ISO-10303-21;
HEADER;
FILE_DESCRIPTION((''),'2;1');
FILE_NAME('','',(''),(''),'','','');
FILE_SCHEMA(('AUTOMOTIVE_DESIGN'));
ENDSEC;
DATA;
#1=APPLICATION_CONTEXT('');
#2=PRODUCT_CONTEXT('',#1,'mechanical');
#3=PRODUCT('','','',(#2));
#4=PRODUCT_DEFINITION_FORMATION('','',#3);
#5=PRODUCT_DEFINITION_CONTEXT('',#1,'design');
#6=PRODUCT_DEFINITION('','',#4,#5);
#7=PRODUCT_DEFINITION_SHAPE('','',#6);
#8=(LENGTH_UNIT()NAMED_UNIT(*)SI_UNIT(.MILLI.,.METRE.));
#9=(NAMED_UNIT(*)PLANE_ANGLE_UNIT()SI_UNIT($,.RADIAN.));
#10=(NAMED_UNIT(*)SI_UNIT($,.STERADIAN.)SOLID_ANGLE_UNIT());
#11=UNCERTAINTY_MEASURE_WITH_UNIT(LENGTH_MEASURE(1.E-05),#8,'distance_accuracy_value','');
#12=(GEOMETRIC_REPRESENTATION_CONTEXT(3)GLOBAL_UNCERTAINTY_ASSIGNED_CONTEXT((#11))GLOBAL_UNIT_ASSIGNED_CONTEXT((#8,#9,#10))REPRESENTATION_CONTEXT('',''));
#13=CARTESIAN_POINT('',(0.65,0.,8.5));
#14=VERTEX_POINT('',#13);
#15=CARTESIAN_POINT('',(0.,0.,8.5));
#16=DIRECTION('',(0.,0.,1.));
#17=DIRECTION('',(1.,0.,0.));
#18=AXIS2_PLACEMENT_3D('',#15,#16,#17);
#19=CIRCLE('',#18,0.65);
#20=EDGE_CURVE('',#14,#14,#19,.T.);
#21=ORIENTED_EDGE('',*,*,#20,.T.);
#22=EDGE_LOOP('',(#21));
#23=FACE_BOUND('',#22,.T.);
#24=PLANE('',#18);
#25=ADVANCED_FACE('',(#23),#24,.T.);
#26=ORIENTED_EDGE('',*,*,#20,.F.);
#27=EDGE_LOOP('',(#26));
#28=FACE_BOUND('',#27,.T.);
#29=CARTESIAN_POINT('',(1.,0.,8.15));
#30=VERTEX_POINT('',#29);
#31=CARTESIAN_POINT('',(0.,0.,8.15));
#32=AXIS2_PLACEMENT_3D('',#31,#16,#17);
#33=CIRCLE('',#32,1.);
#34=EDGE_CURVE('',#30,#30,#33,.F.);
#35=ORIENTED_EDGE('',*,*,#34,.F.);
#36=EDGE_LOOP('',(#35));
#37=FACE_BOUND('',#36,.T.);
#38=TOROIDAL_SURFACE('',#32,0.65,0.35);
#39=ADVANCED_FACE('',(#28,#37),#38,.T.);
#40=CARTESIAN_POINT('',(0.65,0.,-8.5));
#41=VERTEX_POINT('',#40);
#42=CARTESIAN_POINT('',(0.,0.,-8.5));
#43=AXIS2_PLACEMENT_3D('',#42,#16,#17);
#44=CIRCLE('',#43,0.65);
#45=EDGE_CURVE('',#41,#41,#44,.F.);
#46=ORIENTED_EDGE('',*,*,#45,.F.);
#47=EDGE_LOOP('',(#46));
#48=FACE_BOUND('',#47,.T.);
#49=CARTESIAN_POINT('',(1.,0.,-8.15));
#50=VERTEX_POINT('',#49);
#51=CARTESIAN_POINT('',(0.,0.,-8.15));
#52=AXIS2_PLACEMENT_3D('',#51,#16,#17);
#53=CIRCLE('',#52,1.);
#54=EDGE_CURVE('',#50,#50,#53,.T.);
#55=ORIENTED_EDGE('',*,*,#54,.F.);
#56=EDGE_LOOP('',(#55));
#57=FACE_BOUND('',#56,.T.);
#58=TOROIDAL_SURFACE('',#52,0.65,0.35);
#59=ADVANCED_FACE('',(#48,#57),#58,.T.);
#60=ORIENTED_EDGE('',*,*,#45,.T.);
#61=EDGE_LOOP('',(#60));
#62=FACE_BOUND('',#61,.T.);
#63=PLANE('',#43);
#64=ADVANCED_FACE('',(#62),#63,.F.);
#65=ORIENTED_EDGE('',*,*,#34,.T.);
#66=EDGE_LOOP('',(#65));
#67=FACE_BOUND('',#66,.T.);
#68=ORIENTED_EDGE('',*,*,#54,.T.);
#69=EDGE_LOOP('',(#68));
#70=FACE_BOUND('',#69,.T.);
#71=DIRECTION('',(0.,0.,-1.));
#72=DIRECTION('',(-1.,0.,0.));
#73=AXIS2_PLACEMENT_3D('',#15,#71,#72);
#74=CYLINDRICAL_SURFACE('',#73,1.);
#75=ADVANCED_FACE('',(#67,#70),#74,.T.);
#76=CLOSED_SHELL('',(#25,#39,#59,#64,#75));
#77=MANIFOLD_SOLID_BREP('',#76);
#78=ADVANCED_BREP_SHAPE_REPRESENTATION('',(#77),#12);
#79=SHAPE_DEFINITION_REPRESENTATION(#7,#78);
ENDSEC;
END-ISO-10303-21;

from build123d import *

# Parameters (mm, degrees)
SKETCH1_R           = 1
BOSS_EXTRUDE1_DEPTH = 8.5
FILLET1_R           = 0.35


with BuildPart() as part:
    # Sketch1 → Boss-Extrude1 (new body, symmetric)
    with BuildSketch(Plane.XY):
        Circle(SKETCH1_R)
    extrude(amount=BOSS_EXTRUDE1_DEPTH, both=True)

    # Fillet1
    fillet1_edges = [part.edges().sort_by_distance(p)[0] for p in [
        (-1, 0, -8.5),
        (-1, 0, 8.5),
    ]]
    fillet(fillet1_edges, radius=FILLET1_R)


solid = part.part
